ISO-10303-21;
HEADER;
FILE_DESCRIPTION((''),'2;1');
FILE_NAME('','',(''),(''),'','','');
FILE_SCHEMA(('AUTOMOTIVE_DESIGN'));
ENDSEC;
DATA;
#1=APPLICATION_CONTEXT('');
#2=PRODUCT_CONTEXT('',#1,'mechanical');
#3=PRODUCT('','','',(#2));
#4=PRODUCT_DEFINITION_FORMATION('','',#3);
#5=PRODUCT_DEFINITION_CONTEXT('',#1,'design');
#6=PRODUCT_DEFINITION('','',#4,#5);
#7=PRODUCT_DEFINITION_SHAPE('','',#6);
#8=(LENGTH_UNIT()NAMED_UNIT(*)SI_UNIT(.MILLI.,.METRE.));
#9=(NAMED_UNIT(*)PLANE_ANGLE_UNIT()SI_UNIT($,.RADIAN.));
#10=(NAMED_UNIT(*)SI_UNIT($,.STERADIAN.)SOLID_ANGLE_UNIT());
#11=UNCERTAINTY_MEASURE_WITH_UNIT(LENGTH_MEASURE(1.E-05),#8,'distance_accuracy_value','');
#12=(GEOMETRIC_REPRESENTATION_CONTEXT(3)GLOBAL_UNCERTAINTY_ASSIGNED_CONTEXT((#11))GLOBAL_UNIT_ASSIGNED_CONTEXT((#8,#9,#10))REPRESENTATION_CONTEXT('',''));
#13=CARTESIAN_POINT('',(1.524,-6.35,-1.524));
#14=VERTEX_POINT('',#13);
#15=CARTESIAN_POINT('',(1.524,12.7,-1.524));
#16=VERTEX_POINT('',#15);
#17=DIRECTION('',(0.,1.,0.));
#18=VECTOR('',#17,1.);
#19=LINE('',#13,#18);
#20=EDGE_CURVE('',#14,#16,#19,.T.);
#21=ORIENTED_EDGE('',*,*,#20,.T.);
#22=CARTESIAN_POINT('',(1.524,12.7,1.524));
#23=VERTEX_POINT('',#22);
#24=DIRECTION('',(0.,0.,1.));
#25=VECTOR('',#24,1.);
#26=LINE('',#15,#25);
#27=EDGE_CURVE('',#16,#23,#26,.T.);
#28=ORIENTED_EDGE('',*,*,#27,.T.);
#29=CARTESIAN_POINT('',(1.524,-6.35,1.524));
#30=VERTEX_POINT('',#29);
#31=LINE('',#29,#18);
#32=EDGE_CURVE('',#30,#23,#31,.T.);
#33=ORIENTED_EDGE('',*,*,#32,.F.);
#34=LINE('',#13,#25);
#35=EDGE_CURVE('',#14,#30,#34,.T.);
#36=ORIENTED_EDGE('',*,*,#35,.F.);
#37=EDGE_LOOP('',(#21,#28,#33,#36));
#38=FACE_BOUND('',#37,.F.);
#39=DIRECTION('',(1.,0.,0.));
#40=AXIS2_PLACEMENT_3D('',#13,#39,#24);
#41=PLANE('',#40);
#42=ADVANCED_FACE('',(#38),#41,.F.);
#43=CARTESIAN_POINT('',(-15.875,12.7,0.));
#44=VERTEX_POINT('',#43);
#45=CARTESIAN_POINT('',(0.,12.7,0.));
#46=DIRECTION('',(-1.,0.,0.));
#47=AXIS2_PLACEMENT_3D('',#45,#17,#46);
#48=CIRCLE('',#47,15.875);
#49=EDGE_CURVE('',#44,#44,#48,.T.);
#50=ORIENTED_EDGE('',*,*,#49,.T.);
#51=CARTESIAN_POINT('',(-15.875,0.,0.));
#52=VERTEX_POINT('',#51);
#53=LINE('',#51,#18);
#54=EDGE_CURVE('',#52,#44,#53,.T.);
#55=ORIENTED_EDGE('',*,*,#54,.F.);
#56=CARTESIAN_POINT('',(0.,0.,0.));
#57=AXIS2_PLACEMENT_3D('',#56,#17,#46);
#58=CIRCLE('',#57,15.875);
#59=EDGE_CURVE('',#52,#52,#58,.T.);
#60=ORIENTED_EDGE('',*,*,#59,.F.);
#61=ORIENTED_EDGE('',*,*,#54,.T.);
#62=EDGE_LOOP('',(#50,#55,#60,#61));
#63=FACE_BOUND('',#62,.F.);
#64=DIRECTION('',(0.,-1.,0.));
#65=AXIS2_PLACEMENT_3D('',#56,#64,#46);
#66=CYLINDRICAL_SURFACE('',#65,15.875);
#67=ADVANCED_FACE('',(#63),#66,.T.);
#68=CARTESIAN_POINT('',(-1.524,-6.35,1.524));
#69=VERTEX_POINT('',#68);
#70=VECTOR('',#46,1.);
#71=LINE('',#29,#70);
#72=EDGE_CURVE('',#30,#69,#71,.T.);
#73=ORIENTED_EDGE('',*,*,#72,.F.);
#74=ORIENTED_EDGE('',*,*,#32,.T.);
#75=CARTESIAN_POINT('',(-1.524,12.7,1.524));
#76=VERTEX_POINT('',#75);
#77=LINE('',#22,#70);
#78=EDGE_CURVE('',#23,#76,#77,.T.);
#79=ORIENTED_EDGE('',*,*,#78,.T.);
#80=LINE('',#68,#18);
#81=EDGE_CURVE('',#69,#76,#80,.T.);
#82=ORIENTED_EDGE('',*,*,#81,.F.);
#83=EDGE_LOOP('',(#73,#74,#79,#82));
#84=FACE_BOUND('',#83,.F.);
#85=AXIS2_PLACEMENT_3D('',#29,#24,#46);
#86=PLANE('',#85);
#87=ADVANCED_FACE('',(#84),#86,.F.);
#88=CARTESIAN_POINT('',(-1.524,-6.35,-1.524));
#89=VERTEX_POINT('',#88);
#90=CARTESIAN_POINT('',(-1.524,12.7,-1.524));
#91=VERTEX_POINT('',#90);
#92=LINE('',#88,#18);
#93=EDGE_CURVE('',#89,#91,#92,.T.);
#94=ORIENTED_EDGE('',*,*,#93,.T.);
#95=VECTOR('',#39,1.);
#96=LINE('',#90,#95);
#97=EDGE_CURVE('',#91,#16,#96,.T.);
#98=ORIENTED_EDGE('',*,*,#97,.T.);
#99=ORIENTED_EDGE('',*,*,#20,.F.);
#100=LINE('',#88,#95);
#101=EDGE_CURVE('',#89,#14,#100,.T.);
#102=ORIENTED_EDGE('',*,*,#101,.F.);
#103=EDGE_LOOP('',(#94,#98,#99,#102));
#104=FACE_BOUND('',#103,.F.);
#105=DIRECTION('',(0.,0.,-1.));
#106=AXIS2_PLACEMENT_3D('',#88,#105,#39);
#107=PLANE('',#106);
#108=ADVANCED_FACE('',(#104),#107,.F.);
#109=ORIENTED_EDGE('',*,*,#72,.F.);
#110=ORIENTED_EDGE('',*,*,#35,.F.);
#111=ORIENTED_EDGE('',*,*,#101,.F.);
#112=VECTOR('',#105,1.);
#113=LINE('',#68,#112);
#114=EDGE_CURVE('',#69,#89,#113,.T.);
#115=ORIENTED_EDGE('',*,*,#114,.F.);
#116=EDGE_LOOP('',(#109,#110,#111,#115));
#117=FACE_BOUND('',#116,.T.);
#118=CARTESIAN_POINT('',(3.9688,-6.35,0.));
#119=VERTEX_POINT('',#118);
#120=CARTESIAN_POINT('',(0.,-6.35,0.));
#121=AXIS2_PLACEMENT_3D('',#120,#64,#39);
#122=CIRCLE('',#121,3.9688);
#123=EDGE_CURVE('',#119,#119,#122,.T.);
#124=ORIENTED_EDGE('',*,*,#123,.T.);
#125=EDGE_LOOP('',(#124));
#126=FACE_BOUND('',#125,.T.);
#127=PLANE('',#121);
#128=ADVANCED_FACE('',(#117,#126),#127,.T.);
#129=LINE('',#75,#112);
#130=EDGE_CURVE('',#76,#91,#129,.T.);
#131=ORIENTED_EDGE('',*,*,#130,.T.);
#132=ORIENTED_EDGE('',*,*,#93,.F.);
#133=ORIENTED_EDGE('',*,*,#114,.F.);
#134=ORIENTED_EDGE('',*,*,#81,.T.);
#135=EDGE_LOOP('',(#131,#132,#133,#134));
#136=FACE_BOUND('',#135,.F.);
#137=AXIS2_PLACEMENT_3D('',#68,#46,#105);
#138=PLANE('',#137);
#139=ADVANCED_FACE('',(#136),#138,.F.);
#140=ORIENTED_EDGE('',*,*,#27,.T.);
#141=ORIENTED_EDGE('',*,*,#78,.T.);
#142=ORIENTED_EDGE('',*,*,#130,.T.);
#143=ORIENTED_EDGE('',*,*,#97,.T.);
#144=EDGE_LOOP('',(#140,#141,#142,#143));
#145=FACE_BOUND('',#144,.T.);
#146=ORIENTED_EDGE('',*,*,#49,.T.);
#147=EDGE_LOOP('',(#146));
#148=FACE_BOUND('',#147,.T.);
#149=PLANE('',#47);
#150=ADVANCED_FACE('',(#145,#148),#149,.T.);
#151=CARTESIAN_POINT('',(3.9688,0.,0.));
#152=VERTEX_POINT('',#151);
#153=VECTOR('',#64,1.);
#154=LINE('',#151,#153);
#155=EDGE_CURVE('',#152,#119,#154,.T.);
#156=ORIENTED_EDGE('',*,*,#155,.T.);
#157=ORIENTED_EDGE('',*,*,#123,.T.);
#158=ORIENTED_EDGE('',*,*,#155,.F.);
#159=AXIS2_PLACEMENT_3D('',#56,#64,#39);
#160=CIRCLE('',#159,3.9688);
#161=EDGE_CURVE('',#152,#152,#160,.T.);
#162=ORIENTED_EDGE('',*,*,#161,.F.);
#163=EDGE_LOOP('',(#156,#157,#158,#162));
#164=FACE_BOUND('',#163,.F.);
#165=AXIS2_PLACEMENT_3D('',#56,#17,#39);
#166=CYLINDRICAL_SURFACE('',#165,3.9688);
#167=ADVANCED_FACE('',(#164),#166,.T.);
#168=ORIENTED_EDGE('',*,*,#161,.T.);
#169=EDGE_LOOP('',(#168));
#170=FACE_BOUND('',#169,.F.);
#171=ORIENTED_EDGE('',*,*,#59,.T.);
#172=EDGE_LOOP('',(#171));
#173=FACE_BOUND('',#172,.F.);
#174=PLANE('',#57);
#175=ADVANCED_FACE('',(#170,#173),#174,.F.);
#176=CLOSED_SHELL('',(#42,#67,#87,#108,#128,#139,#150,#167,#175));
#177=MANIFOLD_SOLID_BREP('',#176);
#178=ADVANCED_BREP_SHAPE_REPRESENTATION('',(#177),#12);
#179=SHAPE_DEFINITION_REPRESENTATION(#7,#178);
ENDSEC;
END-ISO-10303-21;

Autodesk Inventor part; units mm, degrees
ref_plane "YZ Plane" through (0, 0, 0) normal (1, 0, 0) x (0, 1, 0)
ref_plane "XZ Plane" through (0, 0, 0) normal (0, 1, 0) x (-1, 0, 0)
ref_plane "XY Plane" through (0, 0, 0) normal (0, 0, 1) x (1, 0, 0)
sketch "Sketch1" plane through (0, 0, 0) normal (0, 1, 0) x (-1, 0, 0)
  circle A0 centre (0, 0) radius 15.875
  dimension "d0" = 31.75
extrude "Extrusion1" add sketch "Sketch1" along normal blind 12.7
sketch "Sketch4" plane through (0, 0, 0) normal (0, -1, 0) x (1, 0, 0)
  circle A0 centre (0, 0) radius 3.9688
  dimension "d18" = 7.9375
extrude "Extrusion4" add sketch "Sketch4" along normal blind 6.35
sketch "Sketch5" plane through (0, -6.35, 0) normal (0, -1, 0) x (1, 0, 0)
  line L0 (1.524, 1.524) -> (-1.524, 1.524)
  line L1 (-1.524, 1.524) -> (-1.524, -1.524)
  line L2 (-1.524, -1.524) -> (1.524, -1.524)
  line L3 (1.524, -1.524) -> (1.524, 1.524)
  line L4 (1.524, 1.524) -> (-1.524, -1.524) construction
  line L5 (-1.524, 1.524) -> (1.524, -1.524) construction
  point P0 (0, 0)
  dimension "d21" = 3.048
extrude "Extrusion5" cut sketch "Sketch5" against normal blind 19.05
properties part number "knob"
